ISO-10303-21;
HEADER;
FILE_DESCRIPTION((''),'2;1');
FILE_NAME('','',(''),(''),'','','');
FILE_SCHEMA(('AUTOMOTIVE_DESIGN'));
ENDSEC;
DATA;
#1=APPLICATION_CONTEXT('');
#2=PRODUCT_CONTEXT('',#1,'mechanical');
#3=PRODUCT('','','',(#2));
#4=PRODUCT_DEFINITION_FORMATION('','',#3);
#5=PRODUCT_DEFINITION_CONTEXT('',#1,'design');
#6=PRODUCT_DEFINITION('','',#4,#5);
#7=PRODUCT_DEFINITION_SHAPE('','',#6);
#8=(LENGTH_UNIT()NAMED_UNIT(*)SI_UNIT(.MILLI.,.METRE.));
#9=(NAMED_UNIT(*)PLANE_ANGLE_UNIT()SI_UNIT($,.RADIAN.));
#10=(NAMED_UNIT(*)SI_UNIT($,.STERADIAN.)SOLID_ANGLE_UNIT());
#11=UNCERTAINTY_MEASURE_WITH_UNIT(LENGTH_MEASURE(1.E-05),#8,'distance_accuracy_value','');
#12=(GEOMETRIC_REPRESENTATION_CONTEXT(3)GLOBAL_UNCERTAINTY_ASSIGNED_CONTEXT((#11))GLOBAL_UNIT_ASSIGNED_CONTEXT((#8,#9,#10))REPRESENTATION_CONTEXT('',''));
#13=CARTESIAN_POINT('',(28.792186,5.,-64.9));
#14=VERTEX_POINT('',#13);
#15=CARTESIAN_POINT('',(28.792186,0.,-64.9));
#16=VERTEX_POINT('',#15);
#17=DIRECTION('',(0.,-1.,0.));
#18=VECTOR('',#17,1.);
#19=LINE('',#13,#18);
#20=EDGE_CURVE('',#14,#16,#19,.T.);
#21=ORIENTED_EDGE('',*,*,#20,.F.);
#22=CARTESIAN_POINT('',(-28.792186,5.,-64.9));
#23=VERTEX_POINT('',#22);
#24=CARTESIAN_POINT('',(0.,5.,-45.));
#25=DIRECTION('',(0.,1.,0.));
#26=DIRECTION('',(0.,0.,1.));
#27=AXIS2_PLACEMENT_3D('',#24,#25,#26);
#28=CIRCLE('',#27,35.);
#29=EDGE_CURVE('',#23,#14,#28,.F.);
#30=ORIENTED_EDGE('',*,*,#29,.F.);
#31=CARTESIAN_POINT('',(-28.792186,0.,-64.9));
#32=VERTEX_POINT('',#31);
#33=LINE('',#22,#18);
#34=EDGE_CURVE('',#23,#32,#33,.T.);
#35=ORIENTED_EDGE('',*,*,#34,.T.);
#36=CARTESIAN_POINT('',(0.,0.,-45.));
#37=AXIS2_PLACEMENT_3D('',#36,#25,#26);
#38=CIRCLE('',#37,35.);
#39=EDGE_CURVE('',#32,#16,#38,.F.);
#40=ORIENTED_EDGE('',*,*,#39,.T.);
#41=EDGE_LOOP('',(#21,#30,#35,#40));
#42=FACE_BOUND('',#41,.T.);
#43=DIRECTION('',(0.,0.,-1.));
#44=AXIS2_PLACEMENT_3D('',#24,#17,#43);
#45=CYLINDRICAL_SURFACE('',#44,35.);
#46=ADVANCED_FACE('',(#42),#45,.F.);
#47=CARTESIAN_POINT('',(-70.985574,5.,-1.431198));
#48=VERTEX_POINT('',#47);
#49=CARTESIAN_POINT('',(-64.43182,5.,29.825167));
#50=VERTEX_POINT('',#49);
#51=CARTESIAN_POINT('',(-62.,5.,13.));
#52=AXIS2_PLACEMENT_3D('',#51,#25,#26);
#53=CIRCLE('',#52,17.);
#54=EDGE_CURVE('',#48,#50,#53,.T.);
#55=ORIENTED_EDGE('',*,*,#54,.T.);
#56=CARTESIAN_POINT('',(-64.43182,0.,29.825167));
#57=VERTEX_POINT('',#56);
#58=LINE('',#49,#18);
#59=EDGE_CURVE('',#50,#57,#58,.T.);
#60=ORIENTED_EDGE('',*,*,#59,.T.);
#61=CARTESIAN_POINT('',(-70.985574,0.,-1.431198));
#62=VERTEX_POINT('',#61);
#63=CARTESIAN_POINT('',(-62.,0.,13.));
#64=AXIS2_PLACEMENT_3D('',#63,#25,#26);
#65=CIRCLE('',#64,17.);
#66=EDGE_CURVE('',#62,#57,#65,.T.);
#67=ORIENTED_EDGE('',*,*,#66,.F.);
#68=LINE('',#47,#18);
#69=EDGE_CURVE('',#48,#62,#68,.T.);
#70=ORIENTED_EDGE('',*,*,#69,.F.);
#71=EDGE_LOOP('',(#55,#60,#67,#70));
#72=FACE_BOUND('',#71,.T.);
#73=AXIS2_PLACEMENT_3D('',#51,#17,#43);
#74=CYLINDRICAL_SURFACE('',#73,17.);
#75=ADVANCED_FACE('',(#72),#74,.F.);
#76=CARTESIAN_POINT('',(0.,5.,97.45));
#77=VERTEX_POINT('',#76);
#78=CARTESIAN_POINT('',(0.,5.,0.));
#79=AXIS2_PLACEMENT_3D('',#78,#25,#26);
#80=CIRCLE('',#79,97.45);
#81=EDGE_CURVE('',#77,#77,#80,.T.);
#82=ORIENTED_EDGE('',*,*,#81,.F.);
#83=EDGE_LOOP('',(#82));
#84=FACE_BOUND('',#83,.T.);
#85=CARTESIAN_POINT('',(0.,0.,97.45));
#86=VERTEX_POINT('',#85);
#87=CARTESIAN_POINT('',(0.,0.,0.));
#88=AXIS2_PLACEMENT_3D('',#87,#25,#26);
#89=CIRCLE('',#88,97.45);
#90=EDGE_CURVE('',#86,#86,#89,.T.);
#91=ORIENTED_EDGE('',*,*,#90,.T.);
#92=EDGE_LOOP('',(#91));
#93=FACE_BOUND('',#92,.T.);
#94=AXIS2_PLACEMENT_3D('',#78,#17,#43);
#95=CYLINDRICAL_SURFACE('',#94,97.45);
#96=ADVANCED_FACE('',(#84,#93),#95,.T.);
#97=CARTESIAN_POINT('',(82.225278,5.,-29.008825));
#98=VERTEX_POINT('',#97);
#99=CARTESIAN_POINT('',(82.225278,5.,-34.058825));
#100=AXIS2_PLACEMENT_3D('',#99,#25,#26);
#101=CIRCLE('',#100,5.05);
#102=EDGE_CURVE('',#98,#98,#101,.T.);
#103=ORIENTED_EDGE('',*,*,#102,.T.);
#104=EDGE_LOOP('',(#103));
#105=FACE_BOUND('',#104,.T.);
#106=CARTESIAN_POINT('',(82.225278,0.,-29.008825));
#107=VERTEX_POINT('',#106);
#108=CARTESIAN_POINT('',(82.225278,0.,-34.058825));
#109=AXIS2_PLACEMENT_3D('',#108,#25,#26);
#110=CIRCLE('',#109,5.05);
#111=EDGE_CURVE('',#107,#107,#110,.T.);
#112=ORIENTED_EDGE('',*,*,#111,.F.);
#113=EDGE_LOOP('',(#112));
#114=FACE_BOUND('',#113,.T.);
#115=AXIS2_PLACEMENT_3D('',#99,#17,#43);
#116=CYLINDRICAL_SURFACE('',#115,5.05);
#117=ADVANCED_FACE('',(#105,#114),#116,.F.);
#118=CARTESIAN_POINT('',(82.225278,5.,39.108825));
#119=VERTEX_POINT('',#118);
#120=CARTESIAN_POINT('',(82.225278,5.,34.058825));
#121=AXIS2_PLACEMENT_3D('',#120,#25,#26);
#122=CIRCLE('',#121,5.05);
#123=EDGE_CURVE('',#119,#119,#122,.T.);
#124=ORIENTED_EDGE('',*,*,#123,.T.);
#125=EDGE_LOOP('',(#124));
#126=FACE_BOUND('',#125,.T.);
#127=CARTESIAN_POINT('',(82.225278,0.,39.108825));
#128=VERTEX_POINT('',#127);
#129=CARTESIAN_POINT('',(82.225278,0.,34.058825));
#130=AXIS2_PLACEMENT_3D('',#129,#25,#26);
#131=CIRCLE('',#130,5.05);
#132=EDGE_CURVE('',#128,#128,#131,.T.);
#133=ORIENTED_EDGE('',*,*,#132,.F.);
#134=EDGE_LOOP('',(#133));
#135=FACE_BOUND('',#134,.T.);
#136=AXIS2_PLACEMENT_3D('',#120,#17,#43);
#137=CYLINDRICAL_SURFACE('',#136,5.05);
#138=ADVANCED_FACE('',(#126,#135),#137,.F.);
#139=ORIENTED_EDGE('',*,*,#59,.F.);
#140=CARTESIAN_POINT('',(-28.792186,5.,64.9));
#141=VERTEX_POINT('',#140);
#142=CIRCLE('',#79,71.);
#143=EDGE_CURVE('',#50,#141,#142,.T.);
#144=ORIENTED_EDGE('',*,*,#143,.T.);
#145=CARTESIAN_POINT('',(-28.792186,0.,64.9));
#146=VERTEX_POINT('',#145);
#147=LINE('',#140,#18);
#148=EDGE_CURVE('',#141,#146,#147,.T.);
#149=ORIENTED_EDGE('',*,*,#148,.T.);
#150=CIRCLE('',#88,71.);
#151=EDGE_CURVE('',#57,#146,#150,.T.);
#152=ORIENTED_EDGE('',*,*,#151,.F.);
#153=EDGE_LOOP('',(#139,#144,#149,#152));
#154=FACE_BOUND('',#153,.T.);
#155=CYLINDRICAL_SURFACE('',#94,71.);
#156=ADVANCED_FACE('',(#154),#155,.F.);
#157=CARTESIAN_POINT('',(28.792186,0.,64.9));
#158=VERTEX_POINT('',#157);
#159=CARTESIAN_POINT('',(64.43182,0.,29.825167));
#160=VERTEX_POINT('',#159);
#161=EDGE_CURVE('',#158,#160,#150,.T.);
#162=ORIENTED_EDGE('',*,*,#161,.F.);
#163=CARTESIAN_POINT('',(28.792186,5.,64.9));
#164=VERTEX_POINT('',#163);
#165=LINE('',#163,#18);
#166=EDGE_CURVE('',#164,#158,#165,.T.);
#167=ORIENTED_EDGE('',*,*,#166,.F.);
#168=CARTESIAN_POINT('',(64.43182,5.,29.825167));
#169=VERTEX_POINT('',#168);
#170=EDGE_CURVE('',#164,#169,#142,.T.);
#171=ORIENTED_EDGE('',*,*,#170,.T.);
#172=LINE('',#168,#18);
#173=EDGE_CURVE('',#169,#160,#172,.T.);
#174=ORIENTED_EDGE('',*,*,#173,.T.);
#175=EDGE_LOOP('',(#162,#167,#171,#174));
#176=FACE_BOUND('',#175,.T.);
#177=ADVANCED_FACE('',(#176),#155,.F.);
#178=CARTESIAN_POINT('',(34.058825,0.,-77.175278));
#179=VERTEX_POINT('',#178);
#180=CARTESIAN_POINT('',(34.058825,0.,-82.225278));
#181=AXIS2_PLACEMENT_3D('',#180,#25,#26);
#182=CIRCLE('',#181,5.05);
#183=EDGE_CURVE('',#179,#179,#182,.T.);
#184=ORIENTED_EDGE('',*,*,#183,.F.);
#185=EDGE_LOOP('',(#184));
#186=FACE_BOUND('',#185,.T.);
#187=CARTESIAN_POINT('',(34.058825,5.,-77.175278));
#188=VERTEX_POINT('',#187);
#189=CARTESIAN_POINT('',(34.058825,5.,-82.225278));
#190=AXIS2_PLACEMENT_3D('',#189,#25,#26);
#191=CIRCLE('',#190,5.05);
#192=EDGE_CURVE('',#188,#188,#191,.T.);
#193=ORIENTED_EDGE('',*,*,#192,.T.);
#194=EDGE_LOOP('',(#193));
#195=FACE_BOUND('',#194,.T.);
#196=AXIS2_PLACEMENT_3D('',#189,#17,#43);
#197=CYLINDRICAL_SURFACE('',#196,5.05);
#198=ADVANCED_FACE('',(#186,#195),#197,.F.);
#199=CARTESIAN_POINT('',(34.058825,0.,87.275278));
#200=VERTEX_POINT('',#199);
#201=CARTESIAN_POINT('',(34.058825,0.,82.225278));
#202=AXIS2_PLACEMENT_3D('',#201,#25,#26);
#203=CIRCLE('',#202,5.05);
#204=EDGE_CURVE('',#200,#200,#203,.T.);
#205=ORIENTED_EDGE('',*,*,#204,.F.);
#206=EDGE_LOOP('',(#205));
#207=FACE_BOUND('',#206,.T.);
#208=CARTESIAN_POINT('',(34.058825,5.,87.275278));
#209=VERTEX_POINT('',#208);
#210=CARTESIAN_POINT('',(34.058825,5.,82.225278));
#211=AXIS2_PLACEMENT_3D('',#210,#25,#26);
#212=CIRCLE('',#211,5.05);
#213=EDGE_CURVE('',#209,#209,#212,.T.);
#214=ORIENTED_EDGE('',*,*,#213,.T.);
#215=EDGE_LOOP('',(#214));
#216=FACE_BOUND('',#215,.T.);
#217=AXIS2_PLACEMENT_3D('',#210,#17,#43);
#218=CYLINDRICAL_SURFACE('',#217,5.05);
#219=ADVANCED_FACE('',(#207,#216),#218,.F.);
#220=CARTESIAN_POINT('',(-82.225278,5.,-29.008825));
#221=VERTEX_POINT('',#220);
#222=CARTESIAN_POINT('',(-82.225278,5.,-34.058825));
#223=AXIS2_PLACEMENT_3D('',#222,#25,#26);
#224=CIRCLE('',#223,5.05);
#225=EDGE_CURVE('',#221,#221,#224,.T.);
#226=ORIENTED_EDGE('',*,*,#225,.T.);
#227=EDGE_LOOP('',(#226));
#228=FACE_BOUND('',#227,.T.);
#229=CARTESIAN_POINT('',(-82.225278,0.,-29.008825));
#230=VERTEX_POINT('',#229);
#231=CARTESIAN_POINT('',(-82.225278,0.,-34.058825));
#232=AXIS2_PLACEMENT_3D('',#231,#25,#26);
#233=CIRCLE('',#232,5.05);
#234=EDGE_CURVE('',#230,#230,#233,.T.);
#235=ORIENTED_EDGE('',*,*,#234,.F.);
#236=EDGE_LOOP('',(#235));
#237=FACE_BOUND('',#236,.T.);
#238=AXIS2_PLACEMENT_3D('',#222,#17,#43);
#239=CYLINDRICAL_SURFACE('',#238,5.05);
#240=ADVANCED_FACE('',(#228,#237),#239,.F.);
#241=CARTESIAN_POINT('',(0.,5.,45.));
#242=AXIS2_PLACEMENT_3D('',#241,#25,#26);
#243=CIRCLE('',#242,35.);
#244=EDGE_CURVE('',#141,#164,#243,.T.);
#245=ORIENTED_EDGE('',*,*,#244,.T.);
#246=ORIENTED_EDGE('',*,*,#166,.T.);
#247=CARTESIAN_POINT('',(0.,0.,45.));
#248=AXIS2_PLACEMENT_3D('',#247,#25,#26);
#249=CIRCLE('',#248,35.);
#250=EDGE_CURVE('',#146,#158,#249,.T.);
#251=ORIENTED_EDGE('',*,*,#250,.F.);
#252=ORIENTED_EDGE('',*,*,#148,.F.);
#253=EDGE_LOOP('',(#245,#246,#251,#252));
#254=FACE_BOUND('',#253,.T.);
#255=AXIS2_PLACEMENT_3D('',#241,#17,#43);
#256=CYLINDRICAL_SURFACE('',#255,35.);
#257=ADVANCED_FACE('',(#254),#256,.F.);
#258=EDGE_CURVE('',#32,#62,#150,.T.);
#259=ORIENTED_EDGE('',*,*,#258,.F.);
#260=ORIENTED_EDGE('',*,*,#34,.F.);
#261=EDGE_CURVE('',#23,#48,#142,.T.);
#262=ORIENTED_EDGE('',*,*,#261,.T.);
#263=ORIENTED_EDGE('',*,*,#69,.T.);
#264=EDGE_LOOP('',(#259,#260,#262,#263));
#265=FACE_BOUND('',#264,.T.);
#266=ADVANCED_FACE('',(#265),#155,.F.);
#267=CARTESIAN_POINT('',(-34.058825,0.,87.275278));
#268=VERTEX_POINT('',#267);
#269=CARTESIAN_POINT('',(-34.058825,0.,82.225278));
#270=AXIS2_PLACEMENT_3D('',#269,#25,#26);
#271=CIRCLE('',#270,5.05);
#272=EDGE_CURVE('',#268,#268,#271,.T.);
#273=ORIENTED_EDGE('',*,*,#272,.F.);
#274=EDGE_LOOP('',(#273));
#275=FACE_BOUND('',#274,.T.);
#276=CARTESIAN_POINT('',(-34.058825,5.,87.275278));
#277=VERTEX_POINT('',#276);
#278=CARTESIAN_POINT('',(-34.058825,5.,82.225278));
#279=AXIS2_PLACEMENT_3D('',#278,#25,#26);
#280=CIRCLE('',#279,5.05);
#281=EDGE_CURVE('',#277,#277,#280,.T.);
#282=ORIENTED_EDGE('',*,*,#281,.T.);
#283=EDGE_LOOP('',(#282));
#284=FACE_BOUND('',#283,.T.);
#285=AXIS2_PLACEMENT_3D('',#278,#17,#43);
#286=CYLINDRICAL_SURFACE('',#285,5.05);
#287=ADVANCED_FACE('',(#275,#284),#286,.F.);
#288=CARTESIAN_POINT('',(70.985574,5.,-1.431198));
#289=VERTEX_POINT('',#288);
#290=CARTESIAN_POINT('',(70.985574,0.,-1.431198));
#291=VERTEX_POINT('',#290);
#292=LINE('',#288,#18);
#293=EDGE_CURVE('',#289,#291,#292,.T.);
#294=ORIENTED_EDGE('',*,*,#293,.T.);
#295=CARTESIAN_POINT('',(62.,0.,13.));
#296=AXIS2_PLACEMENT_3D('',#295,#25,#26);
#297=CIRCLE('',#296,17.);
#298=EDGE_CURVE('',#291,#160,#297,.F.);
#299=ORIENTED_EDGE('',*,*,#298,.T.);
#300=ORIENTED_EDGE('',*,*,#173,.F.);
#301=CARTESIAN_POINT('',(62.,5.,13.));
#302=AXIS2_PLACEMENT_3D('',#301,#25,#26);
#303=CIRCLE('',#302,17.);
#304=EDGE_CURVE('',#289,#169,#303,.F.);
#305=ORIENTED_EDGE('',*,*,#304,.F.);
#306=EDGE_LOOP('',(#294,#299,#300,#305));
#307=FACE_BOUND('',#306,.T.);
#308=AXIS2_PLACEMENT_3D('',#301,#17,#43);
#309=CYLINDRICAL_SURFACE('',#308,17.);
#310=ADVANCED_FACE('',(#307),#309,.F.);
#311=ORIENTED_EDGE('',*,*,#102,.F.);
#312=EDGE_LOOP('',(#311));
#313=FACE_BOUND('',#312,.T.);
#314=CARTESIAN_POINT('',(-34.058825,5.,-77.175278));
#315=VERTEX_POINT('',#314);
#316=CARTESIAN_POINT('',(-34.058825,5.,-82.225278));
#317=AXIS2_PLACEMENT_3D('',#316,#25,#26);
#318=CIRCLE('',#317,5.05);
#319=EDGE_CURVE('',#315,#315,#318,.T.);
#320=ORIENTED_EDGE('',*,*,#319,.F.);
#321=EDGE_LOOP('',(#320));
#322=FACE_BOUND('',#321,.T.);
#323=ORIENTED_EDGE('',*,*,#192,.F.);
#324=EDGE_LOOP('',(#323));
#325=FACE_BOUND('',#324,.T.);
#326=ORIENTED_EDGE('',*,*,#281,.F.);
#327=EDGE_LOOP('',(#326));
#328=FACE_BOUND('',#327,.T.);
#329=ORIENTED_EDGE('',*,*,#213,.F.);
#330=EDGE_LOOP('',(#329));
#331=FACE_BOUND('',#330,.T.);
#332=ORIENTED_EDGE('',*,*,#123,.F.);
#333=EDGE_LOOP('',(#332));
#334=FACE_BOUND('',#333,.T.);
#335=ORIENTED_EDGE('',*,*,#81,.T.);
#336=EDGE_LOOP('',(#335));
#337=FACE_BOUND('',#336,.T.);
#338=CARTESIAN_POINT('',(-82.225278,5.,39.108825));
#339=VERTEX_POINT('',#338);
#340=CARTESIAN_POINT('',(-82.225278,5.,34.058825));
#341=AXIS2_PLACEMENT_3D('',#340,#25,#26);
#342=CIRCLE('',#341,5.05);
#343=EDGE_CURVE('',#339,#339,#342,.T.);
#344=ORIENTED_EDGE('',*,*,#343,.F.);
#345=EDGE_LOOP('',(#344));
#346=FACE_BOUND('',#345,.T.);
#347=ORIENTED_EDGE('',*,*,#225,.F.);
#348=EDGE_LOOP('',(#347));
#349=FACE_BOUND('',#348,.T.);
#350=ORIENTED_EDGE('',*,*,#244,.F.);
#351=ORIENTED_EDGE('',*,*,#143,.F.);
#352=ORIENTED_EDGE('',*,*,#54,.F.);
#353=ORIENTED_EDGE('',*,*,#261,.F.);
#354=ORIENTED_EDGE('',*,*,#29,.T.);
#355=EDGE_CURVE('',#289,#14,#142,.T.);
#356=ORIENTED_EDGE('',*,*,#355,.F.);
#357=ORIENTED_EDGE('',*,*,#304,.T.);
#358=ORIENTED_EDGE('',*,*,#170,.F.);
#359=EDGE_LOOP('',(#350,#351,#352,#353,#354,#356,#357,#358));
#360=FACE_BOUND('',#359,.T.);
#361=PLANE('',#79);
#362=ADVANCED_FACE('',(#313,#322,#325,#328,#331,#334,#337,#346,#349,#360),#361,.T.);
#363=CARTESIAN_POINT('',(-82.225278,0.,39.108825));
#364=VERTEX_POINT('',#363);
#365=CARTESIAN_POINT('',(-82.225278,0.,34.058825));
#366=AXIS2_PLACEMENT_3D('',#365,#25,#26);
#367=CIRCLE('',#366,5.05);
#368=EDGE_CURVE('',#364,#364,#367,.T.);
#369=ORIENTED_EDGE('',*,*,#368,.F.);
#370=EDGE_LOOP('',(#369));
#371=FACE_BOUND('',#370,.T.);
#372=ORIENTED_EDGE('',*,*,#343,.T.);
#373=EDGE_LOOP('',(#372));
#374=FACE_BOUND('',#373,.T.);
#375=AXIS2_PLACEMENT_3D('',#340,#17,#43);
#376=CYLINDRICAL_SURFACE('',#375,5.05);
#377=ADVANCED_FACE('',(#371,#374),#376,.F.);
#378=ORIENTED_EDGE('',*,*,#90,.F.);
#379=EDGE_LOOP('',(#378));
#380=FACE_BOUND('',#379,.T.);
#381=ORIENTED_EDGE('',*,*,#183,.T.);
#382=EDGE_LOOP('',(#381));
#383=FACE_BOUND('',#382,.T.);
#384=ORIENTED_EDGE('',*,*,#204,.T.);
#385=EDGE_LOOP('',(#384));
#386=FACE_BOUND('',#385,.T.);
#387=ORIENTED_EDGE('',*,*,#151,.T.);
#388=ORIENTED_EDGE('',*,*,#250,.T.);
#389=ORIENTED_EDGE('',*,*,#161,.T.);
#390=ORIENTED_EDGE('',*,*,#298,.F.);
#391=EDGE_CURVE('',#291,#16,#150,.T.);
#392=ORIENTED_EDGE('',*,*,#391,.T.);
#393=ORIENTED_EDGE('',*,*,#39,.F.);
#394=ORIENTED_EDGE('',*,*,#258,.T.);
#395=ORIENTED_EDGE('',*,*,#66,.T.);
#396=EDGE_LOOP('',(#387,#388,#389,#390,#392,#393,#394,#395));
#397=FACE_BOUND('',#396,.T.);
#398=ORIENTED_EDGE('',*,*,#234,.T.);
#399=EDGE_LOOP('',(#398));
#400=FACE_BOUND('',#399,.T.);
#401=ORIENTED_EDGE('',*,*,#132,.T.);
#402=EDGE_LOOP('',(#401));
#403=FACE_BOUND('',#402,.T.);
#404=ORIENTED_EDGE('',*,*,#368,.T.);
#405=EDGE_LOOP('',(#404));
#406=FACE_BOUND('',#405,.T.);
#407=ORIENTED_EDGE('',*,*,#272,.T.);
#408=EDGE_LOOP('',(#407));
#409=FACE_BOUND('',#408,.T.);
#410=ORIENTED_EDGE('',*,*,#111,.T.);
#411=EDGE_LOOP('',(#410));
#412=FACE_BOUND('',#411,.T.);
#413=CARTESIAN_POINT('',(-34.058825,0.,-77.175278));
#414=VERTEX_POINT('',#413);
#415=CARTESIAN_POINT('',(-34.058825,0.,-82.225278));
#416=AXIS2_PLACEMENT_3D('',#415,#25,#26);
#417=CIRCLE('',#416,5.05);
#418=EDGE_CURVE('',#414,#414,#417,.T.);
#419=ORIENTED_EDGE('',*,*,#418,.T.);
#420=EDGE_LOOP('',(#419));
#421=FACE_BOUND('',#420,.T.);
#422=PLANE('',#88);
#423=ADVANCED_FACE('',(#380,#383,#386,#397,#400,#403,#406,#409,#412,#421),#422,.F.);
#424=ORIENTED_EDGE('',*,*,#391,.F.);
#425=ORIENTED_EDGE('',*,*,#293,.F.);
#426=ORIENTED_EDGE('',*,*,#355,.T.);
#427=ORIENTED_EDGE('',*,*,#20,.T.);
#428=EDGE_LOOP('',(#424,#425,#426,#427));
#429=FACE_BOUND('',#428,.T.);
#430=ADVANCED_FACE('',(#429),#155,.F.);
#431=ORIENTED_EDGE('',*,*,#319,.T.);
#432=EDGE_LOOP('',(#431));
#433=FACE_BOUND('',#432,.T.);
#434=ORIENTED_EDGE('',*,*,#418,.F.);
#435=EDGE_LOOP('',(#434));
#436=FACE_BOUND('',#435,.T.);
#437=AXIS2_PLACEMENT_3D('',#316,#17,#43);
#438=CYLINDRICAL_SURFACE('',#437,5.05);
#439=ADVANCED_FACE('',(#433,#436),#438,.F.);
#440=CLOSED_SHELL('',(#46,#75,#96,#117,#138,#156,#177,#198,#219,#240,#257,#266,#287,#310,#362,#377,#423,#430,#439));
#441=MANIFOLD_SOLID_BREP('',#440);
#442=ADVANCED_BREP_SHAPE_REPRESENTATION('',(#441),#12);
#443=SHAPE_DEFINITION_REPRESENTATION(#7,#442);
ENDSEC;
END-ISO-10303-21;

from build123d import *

# Parameters (mm, degrees)
SKETCH2_R           = 97.45
SKETCH2_R_2         = 5.05
BOSS_EXTRUDE1_DEPTH = 5


with BuildPart() as part:
    # Sketch2 → Boss-Extrude1 (new body)
    with BuildSketch(Plane(origin=(0, 0, 0), x_dir=(1, 0, 0), z_dir=(0, 1, 0))):
        Circle(SKETCH2_R)
        with Locations((-34.05882548, -82.225278394)):
            Circle(SKETCH2_R_2, mode=Mode.SUBTRACT)
        with Locations((-82.225278394, -34.05882548)):
            Circle(SKETCH2_R_2, mode=Mode.SUBTRACT)
        with Locations((34.05882548, -82.225278394)):
            Circle(SKETCH2_R_2, mode=Mode.SUBTRACT)
        with Locations((82.225278394, -34.05882548)):
            Circle(SKETCH2_R_2, mode=Mode.SUBTRACT)
        with Locations((-82.225278394, 34.05882548)):
            Circle(SKETCH2_R_2, mode=Mode.SUBTRACT)
        with Locations((-34.05882548, 82.225278394)):
            Circle(SKETCH2_R_2, mode=Mode.SUBTRACT)
        with BuildLine():
            ThreePointArc((-64.431819773, -29.825167238), (-78.638188145, -16.488652353), (-70.985573699, 1.431197639))
            ThreePointArc((-70.985573699, 1.431197639), (-59.126750062, 39.306836901), (-28.79218644, 64.9))
            ThreePointArc((-28.79218644, 64.9), (0, 80), (28.79218644, 64.9))
            ThreePointArc((28.79218644, 64.9), (59.126750062, 39.306836901), (70.985573699, 1.431197639))
            ThreePointArc((70.985573699, 1.431197639), (78.638188145, -16.488652353), (64.431819773, -29.825167238))
            ThreePointArc((64.431819773, -29.825167238), (49.802006053, -50.603954323), (28.79218644, -64.9))
            ThreePointArc((28.79218644, -64.9), (0, -80), (-28.79218644, -64.9))
            ThreePointArc((-28.79218644, -64.9), (-49.802006053, -50.603954323), (-64.431819773, -29.825167238))
        make_face(mode=Mode.SUBTRACT)
        with Locations((82.225278394, 34.05882548)):
            Circle(SKETCH2_R_2, mode=Mode.SUBTRACT)
        with Locations((34.05882548, 82.225278394)):
            Circle(SKETCH2_R_2, mode=Mode.SUBTRACT)
    extrude(amount=BOSS_EXTRUDE1_DEPTH)


solid = part.part
